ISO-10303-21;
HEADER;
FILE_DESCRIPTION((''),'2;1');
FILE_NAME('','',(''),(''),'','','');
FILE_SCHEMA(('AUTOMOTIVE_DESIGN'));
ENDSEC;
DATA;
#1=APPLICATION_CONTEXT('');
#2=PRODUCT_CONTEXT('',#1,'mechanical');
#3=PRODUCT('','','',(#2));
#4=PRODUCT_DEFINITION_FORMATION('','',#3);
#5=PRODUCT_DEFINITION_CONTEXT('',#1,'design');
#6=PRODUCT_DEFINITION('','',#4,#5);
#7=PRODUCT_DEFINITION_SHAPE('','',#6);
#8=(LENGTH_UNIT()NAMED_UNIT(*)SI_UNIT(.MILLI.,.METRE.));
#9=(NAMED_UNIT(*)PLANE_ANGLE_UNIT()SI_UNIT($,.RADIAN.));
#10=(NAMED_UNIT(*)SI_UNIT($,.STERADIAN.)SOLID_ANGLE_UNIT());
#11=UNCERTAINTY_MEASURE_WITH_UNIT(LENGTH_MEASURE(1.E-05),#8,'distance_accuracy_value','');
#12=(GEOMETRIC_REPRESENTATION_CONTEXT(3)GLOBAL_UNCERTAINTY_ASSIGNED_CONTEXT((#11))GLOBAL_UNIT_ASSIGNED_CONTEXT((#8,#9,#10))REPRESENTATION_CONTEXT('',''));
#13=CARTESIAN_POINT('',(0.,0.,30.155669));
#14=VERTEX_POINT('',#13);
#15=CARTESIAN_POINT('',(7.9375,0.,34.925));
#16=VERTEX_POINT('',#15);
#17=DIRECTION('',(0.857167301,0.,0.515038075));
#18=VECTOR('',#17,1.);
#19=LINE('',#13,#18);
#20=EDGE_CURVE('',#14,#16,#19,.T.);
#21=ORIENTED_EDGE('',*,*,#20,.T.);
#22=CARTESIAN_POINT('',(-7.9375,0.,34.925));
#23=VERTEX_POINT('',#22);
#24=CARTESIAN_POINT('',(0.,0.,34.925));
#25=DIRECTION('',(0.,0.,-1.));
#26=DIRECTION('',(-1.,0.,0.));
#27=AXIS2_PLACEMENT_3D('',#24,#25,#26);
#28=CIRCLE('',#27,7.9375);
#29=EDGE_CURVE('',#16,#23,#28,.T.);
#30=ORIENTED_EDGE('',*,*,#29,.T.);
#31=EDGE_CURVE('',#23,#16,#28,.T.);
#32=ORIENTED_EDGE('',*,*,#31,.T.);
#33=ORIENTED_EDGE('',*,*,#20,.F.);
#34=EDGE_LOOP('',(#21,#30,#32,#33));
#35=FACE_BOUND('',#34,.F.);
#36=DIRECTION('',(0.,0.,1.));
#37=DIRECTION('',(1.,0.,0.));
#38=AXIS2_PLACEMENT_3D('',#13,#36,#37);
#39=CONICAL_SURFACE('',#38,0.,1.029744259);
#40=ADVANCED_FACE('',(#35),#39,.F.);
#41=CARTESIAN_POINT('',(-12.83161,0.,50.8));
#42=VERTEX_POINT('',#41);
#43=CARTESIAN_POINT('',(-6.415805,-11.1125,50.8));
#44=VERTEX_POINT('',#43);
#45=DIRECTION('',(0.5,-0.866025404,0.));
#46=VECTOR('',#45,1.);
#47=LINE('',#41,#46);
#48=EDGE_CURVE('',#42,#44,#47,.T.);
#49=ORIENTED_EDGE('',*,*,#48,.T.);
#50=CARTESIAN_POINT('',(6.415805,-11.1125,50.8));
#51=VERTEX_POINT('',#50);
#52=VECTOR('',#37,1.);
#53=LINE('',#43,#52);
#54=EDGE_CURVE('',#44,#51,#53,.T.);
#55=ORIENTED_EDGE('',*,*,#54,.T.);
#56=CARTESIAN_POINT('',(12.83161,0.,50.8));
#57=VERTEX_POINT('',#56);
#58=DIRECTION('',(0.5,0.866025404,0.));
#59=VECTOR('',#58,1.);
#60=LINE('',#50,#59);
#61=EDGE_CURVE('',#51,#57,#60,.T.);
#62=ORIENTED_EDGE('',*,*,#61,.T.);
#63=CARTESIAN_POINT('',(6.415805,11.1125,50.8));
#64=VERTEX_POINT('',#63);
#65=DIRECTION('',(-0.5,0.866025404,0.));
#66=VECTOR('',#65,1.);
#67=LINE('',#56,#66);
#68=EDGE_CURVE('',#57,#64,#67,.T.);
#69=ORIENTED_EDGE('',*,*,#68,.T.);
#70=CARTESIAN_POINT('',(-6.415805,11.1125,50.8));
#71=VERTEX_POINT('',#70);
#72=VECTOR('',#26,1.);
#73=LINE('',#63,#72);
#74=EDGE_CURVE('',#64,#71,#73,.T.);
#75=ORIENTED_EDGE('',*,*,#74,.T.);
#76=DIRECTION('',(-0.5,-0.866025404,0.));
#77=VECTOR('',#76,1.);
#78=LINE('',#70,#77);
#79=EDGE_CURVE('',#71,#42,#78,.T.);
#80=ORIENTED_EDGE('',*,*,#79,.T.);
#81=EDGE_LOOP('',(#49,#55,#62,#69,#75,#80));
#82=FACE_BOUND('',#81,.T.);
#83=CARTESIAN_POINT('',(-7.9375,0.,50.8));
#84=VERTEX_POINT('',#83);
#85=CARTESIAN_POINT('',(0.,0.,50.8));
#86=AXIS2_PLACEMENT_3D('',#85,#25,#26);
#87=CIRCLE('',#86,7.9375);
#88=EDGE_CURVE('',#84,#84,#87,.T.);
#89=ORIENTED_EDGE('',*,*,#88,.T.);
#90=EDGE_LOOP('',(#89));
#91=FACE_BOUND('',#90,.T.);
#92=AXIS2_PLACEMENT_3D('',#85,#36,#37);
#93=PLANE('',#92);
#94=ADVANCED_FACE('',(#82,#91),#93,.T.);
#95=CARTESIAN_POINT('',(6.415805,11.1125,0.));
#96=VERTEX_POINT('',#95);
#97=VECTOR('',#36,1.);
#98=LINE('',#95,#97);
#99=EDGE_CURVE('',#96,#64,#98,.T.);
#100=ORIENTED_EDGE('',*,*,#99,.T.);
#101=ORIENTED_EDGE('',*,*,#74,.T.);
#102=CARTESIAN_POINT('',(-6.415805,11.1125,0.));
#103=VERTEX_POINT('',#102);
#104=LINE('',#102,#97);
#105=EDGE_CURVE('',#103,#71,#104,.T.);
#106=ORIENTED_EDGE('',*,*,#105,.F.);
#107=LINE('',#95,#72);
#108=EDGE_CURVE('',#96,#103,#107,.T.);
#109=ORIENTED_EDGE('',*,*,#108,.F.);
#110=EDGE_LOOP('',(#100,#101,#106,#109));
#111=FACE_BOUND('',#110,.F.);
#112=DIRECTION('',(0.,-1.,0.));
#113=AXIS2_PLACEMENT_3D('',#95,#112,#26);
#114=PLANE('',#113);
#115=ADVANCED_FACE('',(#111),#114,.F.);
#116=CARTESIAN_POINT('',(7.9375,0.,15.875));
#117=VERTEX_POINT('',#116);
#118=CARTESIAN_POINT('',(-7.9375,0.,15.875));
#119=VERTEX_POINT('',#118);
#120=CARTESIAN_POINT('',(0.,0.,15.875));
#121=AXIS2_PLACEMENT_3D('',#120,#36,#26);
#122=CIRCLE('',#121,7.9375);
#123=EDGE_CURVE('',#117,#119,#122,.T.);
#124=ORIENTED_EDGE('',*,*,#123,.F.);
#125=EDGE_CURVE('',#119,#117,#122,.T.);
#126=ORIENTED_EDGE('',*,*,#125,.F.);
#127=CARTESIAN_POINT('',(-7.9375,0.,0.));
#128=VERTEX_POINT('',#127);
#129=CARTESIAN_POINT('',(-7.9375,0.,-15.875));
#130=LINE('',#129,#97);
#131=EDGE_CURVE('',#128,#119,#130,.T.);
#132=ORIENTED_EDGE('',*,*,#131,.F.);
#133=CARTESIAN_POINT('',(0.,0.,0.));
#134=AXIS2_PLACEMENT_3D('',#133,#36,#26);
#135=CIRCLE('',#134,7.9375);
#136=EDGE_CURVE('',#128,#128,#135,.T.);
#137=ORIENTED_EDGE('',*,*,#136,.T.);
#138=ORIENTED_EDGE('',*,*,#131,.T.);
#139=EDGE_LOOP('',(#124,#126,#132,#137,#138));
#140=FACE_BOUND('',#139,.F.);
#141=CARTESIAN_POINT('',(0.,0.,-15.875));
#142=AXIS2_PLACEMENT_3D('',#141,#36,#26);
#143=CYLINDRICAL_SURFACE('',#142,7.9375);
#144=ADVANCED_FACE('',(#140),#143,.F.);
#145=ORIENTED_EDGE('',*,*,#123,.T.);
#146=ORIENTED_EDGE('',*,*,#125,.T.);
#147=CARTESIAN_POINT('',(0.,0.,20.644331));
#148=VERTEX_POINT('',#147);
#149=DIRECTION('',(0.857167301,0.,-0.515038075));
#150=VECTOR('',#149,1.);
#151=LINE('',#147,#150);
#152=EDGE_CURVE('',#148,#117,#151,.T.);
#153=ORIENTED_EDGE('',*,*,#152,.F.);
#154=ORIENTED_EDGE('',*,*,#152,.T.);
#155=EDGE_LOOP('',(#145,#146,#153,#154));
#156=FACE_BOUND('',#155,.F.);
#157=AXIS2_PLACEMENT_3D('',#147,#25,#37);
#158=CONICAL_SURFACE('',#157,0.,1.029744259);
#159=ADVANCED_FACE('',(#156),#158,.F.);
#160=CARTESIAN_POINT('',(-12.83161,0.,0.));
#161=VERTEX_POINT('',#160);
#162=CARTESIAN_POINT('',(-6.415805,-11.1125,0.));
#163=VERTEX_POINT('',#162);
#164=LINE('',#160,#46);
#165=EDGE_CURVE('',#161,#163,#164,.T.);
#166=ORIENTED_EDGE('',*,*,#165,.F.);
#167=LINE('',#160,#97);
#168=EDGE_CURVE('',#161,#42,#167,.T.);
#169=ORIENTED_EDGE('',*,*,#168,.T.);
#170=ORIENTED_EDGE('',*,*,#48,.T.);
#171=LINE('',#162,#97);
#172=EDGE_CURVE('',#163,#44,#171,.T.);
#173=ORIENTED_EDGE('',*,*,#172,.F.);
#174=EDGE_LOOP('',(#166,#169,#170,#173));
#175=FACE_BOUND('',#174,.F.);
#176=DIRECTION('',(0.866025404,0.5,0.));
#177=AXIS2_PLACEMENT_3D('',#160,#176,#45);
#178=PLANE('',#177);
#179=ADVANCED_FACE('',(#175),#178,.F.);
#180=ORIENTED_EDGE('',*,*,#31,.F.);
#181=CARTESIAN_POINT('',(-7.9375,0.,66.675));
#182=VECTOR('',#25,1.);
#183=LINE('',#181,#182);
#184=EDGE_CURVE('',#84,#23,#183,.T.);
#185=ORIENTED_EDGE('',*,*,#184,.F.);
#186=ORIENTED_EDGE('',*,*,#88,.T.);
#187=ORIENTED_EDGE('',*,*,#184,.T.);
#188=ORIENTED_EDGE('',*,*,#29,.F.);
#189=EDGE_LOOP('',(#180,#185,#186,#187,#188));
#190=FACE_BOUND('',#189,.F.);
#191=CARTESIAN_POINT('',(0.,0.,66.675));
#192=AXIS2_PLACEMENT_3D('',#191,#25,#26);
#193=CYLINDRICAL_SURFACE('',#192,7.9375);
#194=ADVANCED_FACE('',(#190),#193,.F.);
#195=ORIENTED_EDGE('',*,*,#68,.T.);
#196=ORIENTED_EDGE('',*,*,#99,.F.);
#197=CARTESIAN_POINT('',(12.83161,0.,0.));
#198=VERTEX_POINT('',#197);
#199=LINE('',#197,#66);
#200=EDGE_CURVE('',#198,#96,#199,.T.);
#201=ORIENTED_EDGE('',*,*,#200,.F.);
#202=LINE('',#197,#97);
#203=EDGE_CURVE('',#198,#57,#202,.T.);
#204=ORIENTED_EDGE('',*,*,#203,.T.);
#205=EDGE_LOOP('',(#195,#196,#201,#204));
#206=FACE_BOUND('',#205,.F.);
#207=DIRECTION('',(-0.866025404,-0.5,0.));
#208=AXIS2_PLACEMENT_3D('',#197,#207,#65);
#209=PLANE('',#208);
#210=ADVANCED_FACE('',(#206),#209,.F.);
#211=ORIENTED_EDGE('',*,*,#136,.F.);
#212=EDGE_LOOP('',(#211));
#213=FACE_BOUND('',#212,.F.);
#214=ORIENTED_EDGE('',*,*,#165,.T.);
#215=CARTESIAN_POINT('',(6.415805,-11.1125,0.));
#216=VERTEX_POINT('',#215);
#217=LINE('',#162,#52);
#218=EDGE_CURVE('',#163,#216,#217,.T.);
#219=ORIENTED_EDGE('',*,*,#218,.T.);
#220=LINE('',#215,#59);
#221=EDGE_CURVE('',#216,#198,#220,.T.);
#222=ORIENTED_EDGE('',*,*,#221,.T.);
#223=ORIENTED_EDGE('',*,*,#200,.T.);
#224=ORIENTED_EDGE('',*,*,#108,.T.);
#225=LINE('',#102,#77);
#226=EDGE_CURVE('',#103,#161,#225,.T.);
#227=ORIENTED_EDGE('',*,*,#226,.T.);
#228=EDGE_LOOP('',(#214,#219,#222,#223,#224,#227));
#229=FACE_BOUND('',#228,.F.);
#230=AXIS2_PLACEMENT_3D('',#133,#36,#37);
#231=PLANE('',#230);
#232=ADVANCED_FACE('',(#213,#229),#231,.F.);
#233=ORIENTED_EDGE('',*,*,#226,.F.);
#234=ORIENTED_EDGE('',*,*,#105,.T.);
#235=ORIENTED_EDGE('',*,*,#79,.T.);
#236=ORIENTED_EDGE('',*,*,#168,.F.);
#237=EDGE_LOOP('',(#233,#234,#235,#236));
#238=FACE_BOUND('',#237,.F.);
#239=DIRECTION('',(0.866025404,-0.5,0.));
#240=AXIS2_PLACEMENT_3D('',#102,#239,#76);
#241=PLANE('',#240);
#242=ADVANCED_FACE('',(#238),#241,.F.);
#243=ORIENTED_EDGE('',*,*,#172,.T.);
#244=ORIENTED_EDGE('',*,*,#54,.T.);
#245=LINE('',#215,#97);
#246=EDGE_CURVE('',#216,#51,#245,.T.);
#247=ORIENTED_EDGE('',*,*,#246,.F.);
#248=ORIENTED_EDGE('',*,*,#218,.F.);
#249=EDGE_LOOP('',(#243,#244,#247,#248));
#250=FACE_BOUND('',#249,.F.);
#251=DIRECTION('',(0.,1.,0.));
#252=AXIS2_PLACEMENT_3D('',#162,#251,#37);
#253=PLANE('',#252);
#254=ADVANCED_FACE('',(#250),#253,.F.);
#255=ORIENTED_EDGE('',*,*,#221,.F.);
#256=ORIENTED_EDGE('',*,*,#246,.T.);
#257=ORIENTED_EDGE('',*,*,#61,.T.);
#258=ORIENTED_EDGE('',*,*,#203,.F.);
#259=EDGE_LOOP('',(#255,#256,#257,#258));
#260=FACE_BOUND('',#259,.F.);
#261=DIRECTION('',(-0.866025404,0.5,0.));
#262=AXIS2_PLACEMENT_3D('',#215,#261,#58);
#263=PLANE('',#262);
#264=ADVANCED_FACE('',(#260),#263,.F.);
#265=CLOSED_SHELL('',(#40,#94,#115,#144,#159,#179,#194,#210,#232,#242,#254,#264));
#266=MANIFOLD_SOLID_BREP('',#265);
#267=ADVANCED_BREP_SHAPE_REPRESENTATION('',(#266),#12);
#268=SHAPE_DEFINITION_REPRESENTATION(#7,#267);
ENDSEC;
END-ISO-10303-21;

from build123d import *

# Parameters (mm, degrees)
F1_DEPTH = 50.8
F2_D     = 15.875
F2_DEPTH = 15.875
F2_TIP   = 4.7693311635
F4_D     = 15.875
F4_DEPTH = 15.875
F4_TIP   = 4.7693311635


with BuildPart() as f1:
    # F0 (on Top) → F1 (new body)
    with BuildSketch(Plane.XY):
        Polygon((6.4158048664, 11.1125), (-6.4158048664, 11.1125), (-12.8316097327, 0), (-6.4158048664, -11.1125), (6.4158048664, -11.1125), (12.8316097327, 0), align=None)
    extrude(amount=F1_DEPTH)

    # F2
    with Locations(Plane(origin=(0, 0, 0), x_dir=(1, 0, 0), z_dir=(0, 0, -1))):
        with Locations((0, 0)):
            Hole(F2_D / 2, depth=F2_DEPTH)
            with Locations((0, 0, -(F2_DEPTH + F2_TIP / 2))):  # 118° drill point
                Cone(0, F2_D / 2, F2_TIP, mode=Mode.SUBTRACT)

    # F4
    with Locations(Plane.XY.offset(50.8)):
        with Locations((0, 0)):
            Hole(F4_D / 2, depth=F4_DEPTH)
            with Locations((0, 0, -(F4_DEPTH + F4_TIP / 2))):  # 118° drill point
                Cone(0, F4_D / 2, F4_TIP, mode=Mode.SUBTRACT)


solid = f1.part
